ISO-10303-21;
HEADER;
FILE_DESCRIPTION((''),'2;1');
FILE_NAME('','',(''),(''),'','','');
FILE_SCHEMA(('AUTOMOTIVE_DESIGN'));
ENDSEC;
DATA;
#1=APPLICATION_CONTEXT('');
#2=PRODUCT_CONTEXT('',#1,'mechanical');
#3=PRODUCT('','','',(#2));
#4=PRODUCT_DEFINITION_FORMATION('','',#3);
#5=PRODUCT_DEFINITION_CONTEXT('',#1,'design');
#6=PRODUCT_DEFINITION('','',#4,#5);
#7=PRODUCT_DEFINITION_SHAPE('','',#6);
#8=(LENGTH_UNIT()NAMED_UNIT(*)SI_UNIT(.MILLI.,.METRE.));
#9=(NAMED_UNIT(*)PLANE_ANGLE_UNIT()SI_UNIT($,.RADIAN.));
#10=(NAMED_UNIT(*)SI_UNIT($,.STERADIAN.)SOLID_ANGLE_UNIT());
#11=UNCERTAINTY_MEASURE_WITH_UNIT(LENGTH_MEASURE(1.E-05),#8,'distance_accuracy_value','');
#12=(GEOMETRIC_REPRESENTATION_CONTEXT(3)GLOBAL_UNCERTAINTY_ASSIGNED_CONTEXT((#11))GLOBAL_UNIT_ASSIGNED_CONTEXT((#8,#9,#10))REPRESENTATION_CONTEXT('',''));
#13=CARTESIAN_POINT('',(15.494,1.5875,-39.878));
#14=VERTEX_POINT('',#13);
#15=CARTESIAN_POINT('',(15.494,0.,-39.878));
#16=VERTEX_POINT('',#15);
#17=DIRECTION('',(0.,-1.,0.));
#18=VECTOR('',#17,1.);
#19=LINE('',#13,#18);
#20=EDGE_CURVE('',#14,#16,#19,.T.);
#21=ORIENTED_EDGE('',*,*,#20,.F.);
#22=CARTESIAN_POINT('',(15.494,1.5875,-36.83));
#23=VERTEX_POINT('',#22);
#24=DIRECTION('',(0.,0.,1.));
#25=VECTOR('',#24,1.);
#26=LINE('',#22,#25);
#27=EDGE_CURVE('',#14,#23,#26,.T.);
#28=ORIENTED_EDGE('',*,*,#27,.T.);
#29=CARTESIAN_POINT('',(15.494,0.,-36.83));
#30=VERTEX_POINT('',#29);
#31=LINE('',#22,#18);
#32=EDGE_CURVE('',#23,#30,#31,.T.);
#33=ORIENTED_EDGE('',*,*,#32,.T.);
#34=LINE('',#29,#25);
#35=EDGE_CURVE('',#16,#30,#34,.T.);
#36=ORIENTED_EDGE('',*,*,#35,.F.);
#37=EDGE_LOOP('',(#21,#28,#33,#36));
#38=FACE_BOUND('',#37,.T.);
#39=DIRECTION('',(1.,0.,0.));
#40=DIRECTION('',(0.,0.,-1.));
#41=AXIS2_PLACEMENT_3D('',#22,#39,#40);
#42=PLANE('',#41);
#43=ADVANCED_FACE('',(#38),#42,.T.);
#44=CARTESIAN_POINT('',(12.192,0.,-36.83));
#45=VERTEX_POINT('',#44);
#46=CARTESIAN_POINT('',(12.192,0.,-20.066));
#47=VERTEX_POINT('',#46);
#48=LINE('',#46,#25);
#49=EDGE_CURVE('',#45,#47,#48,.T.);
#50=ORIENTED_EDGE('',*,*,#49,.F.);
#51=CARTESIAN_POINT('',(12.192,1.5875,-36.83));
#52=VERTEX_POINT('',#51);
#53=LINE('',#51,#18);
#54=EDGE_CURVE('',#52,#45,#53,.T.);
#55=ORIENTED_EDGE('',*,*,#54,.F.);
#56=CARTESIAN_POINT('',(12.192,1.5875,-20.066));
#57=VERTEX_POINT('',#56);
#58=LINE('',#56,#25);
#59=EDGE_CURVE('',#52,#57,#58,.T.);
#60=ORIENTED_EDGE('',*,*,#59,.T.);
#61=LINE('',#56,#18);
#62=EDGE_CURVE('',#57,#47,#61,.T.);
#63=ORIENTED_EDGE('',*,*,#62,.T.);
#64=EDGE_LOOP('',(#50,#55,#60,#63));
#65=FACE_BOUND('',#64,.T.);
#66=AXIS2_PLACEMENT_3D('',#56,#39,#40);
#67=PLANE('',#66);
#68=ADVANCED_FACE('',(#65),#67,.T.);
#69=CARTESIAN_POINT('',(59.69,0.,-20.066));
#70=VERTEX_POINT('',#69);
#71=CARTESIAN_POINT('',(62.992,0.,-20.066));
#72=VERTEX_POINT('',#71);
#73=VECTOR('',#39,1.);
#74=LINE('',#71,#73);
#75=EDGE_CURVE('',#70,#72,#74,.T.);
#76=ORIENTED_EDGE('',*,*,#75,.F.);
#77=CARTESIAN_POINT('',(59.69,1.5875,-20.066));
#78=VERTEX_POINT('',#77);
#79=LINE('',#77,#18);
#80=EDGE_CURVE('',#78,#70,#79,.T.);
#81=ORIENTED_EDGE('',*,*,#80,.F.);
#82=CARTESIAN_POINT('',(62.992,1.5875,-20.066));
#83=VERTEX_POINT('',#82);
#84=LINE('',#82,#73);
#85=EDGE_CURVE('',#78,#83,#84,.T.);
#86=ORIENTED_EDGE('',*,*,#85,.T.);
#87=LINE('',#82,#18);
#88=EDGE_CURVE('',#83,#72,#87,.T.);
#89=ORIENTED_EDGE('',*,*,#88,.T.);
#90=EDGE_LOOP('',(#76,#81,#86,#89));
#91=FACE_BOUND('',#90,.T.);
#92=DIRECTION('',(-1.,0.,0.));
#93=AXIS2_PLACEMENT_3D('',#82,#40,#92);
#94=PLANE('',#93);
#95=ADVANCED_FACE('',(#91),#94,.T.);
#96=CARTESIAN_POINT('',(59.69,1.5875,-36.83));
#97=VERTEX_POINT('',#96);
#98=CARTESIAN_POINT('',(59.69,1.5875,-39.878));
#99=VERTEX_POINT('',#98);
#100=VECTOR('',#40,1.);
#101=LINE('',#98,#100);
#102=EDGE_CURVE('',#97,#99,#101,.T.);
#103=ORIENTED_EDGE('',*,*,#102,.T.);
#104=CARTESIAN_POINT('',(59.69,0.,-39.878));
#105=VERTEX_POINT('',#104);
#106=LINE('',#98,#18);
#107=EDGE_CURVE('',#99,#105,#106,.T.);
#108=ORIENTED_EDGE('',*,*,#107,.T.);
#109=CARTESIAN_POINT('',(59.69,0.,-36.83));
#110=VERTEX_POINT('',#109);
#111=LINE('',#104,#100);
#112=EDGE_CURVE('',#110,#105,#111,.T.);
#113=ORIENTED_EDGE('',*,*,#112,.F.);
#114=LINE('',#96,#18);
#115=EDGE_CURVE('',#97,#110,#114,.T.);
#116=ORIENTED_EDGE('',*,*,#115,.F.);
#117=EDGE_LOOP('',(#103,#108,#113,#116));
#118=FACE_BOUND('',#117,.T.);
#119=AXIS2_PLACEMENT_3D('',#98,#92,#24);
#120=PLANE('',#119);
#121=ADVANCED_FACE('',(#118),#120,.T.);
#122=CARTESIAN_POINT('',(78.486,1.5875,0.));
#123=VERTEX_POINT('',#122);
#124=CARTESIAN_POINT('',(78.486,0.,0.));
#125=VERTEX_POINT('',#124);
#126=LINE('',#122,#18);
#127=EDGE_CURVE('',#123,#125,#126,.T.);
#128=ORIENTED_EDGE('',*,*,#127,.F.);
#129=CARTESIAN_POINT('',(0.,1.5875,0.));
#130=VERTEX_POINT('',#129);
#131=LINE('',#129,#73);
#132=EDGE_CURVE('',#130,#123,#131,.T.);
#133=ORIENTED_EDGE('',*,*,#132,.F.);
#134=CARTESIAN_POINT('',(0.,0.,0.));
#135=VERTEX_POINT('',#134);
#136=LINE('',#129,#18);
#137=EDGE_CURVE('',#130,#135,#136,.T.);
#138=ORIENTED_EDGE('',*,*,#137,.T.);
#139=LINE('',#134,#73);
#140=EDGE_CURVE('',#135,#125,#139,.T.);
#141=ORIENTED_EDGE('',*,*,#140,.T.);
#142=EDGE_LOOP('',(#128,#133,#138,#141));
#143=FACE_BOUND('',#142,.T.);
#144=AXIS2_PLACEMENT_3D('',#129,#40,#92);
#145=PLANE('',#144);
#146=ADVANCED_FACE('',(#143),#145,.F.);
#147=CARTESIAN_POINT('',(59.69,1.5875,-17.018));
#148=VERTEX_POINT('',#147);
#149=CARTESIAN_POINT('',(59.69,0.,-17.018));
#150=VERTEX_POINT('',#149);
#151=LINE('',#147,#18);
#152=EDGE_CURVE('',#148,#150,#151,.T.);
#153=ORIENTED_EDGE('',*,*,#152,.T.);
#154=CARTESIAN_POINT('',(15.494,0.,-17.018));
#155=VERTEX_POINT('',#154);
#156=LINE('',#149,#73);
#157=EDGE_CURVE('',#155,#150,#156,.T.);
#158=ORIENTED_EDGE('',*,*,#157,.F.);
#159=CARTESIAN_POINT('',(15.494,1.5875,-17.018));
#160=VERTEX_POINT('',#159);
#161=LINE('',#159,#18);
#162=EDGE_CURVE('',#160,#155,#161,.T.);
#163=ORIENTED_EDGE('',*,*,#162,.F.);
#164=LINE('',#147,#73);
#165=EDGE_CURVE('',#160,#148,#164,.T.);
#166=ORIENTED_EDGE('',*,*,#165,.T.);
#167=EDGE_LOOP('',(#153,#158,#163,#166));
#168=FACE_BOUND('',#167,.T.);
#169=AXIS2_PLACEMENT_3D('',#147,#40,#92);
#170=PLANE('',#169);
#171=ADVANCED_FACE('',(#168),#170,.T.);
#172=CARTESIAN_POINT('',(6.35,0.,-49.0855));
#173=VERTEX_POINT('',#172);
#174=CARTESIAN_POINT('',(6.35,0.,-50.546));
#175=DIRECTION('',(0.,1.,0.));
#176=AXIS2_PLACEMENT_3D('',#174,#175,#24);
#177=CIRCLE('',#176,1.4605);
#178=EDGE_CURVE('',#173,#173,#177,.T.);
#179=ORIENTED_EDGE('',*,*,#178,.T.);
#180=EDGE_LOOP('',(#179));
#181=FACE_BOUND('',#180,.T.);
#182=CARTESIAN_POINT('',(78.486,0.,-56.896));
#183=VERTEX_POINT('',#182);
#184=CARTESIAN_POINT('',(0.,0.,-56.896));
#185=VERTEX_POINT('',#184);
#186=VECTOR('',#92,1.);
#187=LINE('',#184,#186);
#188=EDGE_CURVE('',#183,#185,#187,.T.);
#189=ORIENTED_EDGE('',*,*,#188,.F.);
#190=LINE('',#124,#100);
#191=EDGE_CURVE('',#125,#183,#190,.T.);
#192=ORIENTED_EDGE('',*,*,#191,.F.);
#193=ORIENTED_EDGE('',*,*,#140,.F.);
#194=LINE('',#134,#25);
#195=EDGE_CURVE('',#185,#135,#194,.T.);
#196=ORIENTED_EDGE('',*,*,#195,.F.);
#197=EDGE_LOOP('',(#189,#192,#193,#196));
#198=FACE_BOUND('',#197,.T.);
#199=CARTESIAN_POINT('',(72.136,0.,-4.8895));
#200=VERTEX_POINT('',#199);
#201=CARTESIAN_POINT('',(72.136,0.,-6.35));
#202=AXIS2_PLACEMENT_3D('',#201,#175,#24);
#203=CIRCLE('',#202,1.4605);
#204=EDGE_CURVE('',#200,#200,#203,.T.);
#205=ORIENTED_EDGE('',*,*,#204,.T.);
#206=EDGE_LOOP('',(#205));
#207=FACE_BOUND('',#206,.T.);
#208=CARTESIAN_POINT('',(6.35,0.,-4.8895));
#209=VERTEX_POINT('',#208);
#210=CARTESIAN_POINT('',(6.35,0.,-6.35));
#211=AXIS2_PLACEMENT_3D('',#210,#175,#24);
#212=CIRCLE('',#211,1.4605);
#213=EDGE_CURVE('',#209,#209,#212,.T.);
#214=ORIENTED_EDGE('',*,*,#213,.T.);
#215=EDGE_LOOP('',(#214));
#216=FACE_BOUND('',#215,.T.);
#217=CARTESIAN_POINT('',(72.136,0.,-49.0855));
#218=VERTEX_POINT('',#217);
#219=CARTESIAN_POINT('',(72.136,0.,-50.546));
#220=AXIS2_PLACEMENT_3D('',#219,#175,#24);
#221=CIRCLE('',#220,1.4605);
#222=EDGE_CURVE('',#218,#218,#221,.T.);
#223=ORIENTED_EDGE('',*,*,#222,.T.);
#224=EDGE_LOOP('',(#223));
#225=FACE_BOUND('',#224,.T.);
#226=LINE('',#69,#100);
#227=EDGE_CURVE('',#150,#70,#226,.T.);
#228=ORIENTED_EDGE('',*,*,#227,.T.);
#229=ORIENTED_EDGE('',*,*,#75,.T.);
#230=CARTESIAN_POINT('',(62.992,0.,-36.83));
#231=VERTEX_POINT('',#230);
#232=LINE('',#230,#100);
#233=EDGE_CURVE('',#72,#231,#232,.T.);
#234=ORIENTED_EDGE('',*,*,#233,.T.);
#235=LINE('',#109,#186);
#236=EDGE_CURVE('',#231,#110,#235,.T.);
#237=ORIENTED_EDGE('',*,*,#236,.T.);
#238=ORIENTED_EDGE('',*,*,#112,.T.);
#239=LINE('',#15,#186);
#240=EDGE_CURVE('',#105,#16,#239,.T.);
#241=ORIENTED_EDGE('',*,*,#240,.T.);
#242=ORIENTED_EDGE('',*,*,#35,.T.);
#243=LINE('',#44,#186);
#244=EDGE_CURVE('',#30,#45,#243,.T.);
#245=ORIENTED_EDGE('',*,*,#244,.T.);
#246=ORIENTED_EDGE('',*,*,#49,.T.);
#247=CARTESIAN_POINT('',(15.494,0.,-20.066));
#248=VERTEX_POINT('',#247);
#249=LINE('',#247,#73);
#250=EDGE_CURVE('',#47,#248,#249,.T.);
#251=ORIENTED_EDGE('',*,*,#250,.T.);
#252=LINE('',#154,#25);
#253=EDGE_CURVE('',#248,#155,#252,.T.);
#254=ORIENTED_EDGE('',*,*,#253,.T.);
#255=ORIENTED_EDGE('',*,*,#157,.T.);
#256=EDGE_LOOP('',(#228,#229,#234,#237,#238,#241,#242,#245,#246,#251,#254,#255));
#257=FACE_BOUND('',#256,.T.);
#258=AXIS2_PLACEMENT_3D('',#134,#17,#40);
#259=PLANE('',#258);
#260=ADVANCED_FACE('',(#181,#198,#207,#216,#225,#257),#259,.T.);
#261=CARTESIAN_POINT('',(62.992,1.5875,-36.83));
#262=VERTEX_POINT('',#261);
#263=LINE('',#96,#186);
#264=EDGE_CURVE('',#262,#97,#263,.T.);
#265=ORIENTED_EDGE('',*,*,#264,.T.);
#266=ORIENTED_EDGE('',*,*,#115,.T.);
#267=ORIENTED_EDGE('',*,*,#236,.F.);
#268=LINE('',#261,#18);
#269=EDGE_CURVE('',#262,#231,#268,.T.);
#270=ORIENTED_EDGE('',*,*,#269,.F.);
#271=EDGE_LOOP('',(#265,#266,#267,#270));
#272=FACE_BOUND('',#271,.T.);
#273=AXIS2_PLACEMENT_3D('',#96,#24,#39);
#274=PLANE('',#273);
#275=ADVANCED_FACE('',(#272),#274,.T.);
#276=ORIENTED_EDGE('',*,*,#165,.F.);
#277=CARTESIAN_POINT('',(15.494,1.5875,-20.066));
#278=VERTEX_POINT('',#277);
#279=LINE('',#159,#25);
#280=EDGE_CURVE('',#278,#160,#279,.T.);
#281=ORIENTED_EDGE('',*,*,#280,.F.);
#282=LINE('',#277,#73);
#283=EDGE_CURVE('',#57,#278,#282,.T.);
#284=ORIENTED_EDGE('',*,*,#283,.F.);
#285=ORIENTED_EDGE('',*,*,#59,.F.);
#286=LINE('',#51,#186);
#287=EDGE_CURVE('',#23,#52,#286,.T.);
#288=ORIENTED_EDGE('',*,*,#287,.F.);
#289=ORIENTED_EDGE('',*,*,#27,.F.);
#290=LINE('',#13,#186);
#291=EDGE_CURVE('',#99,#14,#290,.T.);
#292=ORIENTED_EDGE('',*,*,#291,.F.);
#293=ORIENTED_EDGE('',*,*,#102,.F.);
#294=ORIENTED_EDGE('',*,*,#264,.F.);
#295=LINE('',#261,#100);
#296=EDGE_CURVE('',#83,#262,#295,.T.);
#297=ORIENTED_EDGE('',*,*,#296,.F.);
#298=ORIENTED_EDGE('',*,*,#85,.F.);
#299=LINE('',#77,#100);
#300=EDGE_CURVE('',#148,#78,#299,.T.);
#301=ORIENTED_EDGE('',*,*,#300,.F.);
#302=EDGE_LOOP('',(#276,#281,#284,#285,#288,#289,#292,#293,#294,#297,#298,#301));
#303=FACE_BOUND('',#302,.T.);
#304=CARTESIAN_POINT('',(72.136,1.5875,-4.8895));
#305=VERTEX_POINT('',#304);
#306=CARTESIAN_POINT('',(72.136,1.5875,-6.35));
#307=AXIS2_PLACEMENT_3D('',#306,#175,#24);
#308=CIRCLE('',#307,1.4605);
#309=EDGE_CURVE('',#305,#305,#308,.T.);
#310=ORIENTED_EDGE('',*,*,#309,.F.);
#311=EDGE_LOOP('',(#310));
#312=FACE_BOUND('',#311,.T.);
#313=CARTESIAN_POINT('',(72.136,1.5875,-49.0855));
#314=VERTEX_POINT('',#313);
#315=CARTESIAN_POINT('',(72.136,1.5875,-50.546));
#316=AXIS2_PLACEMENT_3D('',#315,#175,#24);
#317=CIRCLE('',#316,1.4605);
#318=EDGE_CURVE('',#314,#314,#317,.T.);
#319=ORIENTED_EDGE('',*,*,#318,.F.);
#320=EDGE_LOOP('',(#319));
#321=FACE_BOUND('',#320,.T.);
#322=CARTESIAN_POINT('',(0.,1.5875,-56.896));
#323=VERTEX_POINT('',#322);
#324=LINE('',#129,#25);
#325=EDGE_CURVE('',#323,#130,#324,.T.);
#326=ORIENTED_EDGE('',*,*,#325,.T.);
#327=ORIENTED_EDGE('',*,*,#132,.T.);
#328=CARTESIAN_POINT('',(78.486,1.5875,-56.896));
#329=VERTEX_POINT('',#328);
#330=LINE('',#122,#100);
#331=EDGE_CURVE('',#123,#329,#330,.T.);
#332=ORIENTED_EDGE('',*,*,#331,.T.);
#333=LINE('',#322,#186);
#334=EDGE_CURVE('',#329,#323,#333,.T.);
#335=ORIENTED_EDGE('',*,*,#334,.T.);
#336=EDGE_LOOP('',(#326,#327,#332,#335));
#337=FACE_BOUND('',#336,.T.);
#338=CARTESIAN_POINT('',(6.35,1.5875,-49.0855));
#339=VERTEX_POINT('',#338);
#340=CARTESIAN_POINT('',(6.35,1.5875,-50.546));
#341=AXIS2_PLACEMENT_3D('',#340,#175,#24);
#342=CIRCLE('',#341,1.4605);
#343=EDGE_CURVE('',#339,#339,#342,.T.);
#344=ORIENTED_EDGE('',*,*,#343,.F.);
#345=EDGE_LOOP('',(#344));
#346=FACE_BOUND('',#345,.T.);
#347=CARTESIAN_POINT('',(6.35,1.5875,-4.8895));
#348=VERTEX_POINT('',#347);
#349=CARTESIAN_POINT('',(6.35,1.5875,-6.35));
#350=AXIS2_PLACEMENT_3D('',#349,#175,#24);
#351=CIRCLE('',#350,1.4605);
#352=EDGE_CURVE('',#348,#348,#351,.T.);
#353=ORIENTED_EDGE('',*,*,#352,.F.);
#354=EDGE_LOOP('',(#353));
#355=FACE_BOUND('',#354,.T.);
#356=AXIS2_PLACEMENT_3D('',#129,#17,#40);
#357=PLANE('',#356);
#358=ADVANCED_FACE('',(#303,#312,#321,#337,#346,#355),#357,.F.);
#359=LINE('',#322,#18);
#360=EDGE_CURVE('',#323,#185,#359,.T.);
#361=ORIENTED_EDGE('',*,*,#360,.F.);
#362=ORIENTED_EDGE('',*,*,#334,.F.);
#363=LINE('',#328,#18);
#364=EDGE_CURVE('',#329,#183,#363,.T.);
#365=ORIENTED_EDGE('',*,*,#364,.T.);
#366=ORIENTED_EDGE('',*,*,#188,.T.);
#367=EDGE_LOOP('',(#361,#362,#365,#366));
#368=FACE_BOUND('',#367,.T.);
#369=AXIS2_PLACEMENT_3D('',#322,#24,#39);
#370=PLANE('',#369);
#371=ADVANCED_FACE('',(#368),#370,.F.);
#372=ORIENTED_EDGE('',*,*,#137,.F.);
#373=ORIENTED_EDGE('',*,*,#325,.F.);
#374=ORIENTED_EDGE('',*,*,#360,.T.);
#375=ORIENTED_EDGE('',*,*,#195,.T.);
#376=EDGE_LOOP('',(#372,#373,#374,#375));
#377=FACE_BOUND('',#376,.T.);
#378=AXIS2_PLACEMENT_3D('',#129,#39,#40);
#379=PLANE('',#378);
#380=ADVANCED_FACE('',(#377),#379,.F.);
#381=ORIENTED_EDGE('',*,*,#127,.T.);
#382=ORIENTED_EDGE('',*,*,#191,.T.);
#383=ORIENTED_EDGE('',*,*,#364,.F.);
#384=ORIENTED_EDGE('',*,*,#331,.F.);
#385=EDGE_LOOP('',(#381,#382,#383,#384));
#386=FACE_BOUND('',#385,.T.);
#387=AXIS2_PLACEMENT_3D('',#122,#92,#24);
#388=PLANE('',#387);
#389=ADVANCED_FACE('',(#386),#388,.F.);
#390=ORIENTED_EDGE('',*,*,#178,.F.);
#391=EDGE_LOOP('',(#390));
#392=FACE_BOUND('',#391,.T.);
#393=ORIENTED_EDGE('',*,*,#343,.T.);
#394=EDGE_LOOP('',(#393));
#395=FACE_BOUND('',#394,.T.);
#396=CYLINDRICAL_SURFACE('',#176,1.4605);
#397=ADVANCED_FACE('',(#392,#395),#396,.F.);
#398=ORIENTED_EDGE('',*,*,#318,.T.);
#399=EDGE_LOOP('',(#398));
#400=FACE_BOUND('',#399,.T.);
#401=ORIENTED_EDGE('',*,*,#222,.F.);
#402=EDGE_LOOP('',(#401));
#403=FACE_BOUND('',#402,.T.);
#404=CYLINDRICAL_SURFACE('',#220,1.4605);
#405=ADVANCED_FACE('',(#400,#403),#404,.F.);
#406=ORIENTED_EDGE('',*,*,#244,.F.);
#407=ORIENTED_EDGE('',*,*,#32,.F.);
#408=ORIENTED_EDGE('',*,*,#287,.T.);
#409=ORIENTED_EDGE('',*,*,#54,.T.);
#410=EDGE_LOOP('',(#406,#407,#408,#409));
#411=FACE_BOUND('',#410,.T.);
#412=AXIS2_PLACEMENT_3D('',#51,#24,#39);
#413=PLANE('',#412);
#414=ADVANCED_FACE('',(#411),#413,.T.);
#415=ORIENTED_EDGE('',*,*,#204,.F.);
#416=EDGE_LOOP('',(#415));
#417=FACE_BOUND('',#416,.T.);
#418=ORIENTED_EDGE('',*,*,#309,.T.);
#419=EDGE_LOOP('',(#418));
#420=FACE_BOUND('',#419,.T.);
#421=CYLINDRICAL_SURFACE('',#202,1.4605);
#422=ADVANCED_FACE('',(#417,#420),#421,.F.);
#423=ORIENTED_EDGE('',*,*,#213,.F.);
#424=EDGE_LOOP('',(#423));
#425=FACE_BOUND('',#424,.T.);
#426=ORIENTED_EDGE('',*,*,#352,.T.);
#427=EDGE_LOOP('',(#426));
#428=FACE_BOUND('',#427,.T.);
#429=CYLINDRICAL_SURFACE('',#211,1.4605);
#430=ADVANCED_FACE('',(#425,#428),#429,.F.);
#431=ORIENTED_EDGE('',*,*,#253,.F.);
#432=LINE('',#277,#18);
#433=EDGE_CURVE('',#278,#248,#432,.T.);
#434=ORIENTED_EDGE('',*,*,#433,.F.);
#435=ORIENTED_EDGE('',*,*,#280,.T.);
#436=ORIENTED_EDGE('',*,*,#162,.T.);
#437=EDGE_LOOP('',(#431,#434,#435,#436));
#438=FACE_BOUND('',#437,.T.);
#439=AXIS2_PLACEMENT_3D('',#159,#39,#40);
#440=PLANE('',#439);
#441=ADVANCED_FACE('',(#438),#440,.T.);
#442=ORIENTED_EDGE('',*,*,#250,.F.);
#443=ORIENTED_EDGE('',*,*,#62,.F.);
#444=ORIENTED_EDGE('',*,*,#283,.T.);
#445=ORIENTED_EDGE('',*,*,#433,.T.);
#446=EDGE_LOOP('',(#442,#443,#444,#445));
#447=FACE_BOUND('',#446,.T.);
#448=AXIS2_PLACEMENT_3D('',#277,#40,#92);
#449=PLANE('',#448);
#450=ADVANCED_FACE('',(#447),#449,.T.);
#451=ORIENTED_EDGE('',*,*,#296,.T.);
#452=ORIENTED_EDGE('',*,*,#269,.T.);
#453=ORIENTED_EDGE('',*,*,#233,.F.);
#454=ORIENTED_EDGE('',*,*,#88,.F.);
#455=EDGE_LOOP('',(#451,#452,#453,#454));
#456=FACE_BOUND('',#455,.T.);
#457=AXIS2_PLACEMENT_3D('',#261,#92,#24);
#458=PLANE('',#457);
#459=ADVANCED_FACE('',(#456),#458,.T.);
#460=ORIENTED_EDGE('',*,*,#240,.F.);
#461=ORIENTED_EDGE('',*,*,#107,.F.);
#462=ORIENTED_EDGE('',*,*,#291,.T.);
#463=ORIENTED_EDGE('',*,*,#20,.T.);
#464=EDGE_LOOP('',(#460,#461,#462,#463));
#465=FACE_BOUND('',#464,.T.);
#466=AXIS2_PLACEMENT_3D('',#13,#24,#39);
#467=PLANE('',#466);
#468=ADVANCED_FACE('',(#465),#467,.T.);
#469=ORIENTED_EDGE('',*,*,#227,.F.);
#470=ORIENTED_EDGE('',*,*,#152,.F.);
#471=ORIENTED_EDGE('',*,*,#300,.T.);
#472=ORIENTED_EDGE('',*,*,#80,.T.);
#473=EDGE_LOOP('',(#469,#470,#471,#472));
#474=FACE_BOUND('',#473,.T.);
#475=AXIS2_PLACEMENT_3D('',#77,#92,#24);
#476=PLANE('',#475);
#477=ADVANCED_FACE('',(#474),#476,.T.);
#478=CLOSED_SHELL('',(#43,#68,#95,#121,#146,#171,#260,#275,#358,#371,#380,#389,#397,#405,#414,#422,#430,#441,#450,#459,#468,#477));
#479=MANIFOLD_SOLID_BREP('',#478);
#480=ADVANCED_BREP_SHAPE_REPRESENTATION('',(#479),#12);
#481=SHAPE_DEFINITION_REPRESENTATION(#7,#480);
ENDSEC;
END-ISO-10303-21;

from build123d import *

# Parameters (mm, degrees)
SKETCH2_W           = 78.486
SKETCH2_H           = 56.896
BOSS_EXTRUDE1_DEPTH = 1.5875
SKETCH3_R           = 1.4605
CUT_EXTRUDE1_DEPTH  = 2.5875


with BuildPart() as part:
    # Sketch2 → Boss-Extrude1 (new body)
    with BuildSketch(Plane(origin=(0, 0, 0), x_dir=(1, 0, 0), z_dir=(0, 1, 0))):
        with Locations((39.243, 28.448)):
            Rectangle(SKETCH2_W, SKETCH2_H)
        Polygon((15.494, 39.878), (59.69, 39.878), (59.69, 36.83), (62.992, 36.83), (62.992, 20.066), (59.69, 20.066), (59.69, 17.018), (15.494, 17.018), (15.494, 20.066), (12.192, 20.066), (12.192, 36.83), (15.494, 36.83), align=None, mode=Mode.SUBTRACT)
    extrude(amount=BOSS_EXTRUDE1_DEPTH)

    # Sketch3 → Cut-Extrude1 (cut, through all)
    with BuildSketch(Plane(origin=(0, 1.5875, 0), x_dir=(1, 0, 0), z_dir=(0, 1, 0))):
        with Locations((6.35, 50.546)):
            Circle(SKETCH3_R)
        with Locations((6.35, 6.35)):
            Circle(SKETCH3_R)
        with Locations((72.136, 50.546)):
            Circle(SKETCH3_R)
        with Locations((72.136, 6.35)):
            Circle(SKETCH3_R)
    extrude(amount=-CUT_EXTRUDE1_DEPTH, mode=Mode.SUBTRACT)


solid = part.part
